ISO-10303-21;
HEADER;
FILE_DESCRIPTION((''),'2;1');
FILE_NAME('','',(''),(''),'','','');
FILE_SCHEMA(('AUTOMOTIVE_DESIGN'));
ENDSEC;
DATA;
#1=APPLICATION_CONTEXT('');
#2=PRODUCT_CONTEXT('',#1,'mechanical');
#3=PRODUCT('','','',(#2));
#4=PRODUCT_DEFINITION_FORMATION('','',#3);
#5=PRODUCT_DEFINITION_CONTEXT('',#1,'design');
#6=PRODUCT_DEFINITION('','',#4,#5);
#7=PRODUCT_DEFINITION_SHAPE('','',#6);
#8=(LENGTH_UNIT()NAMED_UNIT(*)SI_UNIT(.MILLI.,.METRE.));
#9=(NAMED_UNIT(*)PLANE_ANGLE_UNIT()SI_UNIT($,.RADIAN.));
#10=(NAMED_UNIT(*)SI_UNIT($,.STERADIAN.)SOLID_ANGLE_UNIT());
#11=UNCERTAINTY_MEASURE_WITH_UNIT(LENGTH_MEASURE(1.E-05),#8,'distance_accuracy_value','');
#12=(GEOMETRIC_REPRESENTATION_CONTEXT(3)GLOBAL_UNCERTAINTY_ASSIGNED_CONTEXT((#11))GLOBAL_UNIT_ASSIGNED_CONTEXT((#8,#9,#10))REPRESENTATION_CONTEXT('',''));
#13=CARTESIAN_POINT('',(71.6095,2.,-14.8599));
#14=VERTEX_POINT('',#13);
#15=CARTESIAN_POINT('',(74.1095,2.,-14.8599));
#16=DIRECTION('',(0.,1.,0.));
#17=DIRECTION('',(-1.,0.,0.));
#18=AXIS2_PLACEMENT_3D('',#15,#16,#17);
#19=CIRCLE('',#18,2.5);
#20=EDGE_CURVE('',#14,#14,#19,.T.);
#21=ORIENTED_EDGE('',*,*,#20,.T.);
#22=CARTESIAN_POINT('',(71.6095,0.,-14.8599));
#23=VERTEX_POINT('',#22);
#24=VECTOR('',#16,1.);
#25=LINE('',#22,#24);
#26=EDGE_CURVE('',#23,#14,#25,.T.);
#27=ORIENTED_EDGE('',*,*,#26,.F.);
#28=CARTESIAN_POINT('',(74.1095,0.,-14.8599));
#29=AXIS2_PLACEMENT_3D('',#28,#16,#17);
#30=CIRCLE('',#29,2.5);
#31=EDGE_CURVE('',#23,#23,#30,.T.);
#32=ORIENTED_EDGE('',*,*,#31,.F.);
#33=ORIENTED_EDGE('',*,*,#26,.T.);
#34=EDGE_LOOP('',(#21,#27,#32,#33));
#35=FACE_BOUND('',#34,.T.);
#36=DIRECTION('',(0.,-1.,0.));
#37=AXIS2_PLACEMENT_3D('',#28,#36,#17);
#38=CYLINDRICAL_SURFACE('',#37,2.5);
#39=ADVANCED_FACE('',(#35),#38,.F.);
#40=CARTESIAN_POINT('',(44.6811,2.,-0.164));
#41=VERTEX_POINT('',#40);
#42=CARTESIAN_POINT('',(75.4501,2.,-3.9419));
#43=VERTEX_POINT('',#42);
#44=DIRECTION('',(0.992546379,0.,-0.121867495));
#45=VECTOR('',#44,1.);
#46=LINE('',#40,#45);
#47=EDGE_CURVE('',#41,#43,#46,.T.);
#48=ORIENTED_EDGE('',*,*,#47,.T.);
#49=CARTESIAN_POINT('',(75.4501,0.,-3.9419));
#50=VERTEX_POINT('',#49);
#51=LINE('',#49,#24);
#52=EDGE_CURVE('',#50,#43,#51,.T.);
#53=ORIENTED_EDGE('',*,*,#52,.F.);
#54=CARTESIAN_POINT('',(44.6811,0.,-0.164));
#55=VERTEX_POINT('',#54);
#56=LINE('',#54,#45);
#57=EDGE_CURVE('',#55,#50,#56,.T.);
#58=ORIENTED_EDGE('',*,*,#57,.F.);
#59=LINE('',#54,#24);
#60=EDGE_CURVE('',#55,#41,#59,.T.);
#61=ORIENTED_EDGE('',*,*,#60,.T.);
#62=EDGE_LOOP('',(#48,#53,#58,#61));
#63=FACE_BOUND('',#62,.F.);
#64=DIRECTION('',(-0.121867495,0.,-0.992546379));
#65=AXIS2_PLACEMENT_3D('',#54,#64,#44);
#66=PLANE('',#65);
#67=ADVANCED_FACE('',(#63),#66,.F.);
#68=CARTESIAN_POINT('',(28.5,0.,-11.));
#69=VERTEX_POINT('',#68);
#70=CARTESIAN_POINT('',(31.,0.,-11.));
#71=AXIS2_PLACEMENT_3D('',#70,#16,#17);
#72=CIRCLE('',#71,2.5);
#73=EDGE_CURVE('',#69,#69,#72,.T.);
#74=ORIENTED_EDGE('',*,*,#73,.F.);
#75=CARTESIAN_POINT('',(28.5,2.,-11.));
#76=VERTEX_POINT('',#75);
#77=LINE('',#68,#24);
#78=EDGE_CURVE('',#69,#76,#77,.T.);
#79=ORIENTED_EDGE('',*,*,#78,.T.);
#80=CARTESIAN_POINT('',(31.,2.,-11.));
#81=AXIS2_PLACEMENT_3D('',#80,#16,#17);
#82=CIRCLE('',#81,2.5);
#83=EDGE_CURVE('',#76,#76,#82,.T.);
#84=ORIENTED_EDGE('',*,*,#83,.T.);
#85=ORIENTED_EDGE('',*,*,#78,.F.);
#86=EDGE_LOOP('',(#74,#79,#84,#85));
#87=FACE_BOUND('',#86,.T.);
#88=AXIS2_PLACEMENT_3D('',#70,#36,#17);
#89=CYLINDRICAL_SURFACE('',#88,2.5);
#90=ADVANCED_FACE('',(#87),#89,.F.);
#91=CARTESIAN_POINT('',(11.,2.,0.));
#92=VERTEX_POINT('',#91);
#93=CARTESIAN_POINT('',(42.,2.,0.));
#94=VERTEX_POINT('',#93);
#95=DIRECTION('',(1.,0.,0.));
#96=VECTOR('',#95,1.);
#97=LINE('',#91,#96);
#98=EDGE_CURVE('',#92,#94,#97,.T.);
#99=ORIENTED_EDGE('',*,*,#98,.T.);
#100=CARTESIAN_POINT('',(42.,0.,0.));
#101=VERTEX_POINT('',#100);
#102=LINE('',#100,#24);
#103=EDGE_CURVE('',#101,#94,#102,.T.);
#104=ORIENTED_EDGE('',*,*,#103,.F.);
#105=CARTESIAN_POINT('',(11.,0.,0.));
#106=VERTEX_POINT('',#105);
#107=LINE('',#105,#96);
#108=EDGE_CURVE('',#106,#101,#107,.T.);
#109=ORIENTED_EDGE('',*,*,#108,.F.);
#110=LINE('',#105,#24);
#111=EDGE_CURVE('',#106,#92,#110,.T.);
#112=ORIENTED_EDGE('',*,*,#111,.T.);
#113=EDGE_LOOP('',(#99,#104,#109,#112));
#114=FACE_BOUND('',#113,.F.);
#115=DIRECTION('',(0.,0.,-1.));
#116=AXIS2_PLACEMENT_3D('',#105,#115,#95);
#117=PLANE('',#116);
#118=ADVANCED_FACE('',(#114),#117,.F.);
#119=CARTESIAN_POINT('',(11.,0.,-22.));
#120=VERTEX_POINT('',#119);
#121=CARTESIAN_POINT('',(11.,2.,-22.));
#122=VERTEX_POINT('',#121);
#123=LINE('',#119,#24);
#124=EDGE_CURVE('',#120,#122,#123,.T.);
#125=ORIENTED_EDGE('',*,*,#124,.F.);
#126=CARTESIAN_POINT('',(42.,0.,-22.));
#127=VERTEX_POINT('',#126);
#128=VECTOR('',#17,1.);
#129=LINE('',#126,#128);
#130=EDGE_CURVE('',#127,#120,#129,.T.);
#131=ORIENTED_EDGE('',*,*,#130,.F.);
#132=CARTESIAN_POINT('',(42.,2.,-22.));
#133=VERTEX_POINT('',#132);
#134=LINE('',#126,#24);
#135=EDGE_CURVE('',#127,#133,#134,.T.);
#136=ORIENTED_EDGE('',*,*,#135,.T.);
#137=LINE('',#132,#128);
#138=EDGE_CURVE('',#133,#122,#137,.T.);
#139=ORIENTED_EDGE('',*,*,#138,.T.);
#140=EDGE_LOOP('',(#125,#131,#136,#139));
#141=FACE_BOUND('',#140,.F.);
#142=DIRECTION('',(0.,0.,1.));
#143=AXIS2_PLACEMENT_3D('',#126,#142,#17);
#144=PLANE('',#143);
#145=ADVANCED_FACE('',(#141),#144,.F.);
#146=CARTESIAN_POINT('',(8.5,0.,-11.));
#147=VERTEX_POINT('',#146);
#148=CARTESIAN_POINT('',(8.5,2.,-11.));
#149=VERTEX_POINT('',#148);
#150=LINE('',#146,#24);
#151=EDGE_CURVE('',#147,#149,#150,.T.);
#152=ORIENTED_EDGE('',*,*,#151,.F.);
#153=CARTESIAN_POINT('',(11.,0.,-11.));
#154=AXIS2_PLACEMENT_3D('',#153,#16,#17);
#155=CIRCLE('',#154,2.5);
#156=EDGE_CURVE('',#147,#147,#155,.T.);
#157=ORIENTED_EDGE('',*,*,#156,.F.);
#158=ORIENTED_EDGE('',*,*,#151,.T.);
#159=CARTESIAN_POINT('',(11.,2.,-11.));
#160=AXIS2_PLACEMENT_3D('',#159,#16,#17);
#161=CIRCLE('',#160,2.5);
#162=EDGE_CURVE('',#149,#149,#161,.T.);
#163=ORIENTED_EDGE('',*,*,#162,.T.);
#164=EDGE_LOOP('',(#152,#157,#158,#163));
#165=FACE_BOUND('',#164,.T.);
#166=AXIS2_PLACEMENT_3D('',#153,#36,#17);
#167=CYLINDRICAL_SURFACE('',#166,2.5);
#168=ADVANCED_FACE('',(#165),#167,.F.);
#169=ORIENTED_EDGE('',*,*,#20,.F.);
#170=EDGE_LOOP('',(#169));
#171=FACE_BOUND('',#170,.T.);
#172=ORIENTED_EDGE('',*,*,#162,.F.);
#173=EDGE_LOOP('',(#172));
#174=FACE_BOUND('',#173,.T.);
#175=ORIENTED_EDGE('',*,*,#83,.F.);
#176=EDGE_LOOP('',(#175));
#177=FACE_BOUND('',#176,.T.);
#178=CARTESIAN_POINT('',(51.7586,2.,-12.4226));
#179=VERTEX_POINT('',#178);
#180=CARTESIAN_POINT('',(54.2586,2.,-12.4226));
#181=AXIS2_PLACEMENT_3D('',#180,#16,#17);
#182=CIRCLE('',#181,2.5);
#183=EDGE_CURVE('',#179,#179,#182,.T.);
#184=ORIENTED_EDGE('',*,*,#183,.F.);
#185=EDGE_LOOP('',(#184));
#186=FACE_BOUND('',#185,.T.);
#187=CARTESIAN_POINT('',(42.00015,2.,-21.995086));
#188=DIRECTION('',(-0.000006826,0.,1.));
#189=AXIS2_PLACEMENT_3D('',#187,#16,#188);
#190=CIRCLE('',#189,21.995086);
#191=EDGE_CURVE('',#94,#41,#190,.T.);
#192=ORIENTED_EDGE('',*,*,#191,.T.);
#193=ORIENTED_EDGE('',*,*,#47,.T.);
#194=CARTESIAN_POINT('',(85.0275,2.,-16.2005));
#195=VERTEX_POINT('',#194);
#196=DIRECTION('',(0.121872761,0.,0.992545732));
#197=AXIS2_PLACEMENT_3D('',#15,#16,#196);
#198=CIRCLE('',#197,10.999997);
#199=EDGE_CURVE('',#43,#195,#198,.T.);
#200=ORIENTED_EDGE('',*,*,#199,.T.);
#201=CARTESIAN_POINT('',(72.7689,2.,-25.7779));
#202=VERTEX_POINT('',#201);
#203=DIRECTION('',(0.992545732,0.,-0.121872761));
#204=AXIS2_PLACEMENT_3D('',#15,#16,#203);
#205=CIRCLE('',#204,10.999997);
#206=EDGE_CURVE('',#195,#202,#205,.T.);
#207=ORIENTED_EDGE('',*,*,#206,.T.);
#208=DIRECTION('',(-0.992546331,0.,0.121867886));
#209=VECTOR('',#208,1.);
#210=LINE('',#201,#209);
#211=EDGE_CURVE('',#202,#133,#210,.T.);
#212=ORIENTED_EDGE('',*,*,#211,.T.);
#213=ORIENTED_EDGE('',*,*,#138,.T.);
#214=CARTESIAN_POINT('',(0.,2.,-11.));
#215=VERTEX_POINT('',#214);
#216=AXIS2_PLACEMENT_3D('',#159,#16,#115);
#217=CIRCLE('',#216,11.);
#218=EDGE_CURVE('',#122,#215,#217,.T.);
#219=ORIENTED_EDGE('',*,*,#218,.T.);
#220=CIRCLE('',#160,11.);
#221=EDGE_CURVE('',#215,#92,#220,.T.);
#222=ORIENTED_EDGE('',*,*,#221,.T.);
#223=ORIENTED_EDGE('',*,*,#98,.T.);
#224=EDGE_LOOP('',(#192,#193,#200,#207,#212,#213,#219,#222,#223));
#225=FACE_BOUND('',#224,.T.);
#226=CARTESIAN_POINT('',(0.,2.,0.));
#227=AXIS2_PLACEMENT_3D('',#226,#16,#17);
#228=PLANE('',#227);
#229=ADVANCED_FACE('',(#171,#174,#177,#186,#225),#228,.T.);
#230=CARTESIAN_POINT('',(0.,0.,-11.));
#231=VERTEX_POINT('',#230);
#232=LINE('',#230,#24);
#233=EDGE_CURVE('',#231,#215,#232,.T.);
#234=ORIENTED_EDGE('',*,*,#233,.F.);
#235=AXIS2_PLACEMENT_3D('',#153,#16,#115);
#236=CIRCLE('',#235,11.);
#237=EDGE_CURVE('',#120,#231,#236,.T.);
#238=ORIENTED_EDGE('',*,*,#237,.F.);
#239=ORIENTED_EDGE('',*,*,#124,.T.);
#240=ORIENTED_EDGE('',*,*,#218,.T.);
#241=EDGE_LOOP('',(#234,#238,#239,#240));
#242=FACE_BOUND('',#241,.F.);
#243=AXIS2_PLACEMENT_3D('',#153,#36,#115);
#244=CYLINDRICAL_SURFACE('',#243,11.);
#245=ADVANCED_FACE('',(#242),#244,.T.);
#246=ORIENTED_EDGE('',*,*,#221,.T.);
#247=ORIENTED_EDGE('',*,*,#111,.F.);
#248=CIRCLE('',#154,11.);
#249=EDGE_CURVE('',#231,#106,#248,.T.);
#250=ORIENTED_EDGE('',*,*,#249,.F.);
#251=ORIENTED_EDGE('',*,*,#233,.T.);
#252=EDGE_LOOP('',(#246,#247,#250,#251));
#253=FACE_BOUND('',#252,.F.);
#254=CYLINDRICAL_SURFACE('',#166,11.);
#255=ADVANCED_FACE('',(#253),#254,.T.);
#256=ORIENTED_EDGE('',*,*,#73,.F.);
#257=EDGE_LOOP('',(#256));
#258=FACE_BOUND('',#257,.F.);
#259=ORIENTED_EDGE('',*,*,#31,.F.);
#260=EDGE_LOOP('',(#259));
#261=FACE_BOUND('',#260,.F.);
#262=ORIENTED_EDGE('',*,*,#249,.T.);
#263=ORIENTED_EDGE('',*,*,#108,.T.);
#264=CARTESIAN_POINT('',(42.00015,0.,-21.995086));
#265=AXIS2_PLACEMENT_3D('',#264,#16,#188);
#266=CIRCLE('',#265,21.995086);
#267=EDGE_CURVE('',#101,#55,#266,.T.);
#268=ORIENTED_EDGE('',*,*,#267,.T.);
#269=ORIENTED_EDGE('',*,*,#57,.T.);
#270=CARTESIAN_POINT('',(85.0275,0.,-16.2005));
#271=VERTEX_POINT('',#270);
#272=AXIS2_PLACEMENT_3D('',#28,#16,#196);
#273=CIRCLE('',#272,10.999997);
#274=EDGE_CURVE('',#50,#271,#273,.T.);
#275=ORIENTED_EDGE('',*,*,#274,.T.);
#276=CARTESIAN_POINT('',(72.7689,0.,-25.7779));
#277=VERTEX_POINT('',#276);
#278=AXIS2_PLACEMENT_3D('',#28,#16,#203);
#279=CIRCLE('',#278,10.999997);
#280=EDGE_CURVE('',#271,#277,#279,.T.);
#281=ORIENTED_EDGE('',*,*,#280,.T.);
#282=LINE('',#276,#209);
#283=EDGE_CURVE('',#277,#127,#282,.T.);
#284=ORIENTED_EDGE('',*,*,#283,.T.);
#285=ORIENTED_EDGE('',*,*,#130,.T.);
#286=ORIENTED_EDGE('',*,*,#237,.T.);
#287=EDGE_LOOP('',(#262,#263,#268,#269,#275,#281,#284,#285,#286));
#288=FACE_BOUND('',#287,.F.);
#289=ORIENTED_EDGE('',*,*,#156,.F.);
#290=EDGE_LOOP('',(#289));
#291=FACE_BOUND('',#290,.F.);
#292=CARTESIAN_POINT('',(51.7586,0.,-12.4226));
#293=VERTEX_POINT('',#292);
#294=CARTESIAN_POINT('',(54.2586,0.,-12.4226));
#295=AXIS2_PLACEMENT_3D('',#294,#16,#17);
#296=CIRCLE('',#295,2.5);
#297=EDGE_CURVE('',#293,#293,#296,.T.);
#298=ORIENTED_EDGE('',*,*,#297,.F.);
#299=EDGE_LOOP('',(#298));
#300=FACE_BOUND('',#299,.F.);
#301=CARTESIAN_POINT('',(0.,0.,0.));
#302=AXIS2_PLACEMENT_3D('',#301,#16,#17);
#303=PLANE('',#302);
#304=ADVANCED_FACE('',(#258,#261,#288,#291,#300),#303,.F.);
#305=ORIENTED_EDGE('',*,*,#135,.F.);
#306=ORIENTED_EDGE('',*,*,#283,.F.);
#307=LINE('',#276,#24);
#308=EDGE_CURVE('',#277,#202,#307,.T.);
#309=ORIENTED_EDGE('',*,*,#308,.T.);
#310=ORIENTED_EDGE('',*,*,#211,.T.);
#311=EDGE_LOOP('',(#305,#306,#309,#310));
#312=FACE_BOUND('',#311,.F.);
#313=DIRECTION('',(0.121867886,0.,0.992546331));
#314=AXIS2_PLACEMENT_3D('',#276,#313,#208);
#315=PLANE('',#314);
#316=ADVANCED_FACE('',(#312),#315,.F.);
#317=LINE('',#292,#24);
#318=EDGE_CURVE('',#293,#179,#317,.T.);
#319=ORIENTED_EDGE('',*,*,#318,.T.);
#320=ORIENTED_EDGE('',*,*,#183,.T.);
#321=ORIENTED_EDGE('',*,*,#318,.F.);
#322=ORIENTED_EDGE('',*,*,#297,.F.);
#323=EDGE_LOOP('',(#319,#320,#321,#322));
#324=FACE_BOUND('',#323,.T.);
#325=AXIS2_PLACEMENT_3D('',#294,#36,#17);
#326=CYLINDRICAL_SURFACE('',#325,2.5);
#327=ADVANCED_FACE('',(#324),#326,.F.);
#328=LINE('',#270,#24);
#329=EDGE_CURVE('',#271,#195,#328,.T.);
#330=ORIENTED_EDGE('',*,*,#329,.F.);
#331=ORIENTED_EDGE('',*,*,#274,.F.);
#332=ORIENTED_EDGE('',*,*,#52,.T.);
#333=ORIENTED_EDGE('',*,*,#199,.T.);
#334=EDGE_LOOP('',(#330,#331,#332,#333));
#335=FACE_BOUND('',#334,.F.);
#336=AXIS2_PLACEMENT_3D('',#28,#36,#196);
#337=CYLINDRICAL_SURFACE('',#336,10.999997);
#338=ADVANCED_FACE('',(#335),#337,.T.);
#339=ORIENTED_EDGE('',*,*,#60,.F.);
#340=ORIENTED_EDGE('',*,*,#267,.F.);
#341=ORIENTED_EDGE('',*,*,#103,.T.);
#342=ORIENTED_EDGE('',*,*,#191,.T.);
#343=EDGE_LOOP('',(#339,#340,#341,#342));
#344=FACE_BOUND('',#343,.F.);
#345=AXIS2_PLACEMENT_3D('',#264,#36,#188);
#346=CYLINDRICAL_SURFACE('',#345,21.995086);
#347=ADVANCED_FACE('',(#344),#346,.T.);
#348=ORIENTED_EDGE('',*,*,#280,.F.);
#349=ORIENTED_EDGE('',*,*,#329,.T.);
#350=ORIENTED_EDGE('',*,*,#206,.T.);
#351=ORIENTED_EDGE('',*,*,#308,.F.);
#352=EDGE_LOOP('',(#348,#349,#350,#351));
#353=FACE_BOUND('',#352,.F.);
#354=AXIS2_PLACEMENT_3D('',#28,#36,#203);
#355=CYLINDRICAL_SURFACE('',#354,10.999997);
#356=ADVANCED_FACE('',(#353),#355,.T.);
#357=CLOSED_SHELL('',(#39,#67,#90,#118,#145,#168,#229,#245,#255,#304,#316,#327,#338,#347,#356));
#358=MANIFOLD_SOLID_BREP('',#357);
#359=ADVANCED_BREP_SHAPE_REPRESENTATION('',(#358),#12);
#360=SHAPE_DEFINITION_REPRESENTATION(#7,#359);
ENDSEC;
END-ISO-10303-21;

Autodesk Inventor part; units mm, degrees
ref_plane "YZ Plane" through (0, 0, 0) normal (1, 0, 0) x (0, 1, 0)
ref_plane "XZ Plane" through (0, 0, 0) normal (0, 1, 0) x (-1, 0, 0)
ref_plane "XY Plane" through (0, 0, 0) normal (0, 0, 1) x (1, 0, 0)
sketch "Sketch1" plane through (0, 0, 0) normal (0, 1, 0) x (-1, 0, 0)
  line L0 (-11, 0) -> (-42, 0)
  line L1 (-42, 0) -> (-42, -22) construction
  line L2 (-42, -22) -> (-11, -22)
  line L3 (0, -11) -> (0, -11)
  arc A0 (-42, 0) -> (-44.6811, -0.164) centre (-42, -22) ccw
  line L4 (-42, -22) -> (-44.6811, -0.164) construction
  line L5 (-42, -22) -> (-20, -22) construction
  line L6 (-42, -22) -> (-44.6811, -0.164) construction
  line L7 (-44.6811, -0.164) -> (-75.4501, -3.9419)
  line L8 (-85.0275, -16.2005) -> (-85.0275, -16.2005)
  line L9 (-72.7689, -25.7779) -> (-42, -22)
  line L10 (0, 0) -> (-11, 0) construction
  line L11 (-11, 0) -> (-31, 0) construction
  line L12 (-11, 0) -> (-11, -11) construction
  line L13 (-31, 0) -> (-31, -11) construction
  circle A1 centre (-11, -11) radius 2.5
  circle A2 centre (-31, -11) radius 2.5
  line L14 (-44.6811, -0.164) -> (-55.5991, -1.5045) construction
  line L15 (-55.5991, -1.5045) -> (-54.2586, -12.4226) construction
  line L16 (-54.2586, -12.4226) -> (-74.1095, -14.8599) construction
  circle A3 centre (-74.1095, -14.8599) radius 2.5
  circle A4 centre (-54.2586, -12.4226) radius 2.5
  arc A5 (-11, -22) -> (0, -11) centre (-11, -11) ccw
  arc A6 (0, -11) -> (-11, 0) centre (-11, -11) ccw
  arc A7 (-85.0275, -16.2005) -> (-72.7689, -25.7779) centre (-74.1095, -14.8599) ccw
  arc A8 (-75.4501, -3.9419) -> (-85.0275, -16.2005) centre (-74.1095, -14.8599) ccw
  point P0 (0, -22)
  point P1 (-86.3681, -5.2825)
  point P2 (-83.6869, -27.1185)
  dimension "d0" = 42
  dimension "d3" = 97
  dimension "d4" = 42
  dimension "d5" = 11
  dimension "d6" = 20
  dimension "d7" = 22
  dimension "d8" = 11
  dimension "d9" = 11
  dimension "d10" = 5
  dimension "d11" = 5
  dimension "d12" = 11
  dimension "d13" = 11
  dimension "d14" = 90
  dimension "d15" = 20
  dimension "d16" = 5
  dimension "d17" = 5
  dimension "d20" = 11
  dimension "d21" = 11
extrude "Extrusion1" add sketch "Sketch1" along normal blind 2
properties part number "angle bracket"
